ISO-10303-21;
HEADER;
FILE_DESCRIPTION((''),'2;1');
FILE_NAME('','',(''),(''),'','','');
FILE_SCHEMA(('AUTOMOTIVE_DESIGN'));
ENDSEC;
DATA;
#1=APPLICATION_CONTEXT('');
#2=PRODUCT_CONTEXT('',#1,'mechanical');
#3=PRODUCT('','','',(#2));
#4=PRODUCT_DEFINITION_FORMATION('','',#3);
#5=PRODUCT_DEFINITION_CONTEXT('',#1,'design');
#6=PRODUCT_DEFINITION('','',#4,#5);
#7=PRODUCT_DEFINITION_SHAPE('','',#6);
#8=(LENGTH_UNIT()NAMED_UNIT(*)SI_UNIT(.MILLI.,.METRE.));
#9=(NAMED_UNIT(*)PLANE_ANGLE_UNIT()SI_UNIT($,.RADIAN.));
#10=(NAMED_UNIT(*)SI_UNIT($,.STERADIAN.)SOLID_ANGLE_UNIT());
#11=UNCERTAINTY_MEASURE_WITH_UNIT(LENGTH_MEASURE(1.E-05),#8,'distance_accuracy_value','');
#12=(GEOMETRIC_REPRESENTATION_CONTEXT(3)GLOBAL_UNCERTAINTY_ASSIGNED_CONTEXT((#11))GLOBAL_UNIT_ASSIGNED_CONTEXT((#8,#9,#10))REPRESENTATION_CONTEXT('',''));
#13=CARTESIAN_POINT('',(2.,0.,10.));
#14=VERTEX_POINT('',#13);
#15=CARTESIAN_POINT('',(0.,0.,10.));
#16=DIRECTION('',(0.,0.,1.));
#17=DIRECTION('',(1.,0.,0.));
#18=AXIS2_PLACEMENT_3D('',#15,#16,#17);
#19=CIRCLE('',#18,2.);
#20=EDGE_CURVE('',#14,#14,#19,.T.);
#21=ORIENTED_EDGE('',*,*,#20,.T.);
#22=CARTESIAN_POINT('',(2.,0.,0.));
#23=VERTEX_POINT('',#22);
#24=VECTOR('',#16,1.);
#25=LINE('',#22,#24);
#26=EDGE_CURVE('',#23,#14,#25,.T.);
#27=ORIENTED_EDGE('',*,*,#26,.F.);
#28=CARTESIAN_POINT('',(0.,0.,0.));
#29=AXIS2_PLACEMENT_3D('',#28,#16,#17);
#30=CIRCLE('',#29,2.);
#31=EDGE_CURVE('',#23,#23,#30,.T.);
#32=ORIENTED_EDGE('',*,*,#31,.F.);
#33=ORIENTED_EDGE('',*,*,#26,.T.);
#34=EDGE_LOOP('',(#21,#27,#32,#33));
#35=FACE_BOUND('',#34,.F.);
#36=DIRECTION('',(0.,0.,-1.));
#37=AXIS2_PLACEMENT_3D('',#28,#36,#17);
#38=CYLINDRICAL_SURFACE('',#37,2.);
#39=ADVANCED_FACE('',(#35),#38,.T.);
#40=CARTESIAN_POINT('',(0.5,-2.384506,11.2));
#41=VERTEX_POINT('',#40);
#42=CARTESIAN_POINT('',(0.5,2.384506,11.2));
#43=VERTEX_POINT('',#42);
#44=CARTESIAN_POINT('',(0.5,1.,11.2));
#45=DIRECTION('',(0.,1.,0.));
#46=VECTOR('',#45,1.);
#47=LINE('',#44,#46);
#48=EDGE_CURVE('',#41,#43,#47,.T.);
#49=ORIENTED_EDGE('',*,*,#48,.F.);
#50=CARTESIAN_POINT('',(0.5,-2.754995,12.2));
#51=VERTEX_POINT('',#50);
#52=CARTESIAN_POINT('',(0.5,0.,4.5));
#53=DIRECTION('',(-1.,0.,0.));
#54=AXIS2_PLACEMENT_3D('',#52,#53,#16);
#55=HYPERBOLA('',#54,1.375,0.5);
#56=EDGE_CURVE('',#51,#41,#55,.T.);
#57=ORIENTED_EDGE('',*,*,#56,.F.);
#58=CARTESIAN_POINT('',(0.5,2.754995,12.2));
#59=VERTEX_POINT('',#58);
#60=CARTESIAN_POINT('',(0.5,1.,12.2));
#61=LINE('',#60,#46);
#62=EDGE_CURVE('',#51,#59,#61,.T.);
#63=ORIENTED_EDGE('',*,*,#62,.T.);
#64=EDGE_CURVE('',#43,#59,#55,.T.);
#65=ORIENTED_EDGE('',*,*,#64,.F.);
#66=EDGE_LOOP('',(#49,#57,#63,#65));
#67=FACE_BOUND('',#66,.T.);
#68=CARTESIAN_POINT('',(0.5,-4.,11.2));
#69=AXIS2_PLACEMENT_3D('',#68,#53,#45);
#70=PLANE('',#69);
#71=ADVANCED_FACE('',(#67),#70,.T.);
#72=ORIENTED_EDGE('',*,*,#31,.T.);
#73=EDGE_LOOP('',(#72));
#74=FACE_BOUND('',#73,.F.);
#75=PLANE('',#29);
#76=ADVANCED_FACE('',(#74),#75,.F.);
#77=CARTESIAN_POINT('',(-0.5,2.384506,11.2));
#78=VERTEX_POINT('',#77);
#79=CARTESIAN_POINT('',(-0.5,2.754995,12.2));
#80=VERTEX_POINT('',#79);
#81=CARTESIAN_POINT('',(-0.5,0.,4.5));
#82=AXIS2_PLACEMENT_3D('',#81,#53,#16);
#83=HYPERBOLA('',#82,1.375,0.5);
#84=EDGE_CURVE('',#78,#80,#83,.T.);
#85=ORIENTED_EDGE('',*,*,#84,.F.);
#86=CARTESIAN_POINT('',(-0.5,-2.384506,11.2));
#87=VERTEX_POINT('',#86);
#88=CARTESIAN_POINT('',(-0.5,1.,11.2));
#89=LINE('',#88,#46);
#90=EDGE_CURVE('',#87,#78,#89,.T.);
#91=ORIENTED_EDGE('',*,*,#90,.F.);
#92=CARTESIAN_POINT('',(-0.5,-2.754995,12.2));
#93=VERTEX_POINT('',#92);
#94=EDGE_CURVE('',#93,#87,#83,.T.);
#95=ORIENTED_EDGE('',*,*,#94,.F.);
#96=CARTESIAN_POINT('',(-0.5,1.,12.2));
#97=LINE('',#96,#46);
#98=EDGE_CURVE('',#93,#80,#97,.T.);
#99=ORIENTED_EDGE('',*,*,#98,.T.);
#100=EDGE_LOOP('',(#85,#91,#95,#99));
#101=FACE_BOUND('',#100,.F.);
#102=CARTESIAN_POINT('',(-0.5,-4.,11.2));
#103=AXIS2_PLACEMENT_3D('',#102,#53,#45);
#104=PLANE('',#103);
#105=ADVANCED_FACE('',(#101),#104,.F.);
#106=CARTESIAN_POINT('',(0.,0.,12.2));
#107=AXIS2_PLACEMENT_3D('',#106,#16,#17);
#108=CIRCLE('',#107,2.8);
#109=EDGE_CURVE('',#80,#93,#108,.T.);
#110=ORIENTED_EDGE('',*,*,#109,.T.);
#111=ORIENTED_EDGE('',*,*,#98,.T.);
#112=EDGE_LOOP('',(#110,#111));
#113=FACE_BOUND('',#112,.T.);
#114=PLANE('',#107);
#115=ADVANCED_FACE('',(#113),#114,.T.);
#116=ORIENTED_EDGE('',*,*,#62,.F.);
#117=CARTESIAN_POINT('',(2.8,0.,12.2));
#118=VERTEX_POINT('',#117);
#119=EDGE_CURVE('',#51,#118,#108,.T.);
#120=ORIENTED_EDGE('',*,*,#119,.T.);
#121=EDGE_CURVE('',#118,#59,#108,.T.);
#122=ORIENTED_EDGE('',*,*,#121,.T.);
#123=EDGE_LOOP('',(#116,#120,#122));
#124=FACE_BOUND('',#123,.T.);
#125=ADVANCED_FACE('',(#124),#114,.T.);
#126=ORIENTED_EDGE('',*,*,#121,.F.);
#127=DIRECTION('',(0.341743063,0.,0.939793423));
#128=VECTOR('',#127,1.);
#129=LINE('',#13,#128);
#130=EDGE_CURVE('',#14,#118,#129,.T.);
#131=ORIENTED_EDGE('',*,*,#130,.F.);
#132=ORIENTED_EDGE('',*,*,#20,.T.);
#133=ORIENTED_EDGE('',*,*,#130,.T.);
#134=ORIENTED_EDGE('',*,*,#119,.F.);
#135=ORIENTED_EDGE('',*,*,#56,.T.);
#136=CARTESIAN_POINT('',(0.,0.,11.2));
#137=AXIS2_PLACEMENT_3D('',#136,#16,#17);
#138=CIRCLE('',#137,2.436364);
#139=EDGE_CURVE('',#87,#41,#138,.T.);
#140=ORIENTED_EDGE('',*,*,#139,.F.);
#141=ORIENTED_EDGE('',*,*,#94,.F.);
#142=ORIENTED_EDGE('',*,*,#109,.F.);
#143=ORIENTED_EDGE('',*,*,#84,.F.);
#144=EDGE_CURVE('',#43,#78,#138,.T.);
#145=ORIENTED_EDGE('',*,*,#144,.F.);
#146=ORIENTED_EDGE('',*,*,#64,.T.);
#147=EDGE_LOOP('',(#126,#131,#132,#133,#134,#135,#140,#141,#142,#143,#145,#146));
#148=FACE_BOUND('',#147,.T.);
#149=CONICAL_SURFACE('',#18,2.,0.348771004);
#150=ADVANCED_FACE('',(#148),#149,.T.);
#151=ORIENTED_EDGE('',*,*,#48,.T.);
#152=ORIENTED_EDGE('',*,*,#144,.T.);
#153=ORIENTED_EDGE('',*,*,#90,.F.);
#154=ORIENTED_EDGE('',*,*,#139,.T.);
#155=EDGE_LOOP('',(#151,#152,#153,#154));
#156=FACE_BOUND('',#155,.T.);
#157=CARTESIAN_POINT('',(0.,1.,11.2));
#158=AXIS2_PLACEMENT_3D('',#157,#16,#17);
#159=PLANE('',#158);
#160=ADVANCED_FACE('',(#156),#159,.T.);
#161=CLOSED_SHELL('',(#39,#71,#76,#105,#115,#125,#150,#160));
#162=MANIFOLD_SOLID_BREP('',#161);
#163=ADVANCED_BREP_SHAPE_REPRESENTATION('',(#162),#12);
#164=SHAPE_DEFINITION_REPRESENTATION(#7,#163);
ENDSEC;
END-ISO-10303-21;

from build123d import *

# Parameters (mm, degrees)
BOX_W          = 1
BOX_H          = 10
BOX_DEPTH      = 1
CYLINDER_R     = 2
CYLINDER_DEPTH = 10


with BuildPart() as cube:
    # Box → Box (new body)
    with BuildSketch(Plane(origin=(-0.5, -4, 11.2), x_dir=(1, 0, 0), z_dir=(0, 0, 1))):
        with Locations((0.5, 5)):
            Rectangle(BOX_W, BOX_H)
    extrude(amount=BOX_DEPTH)


with BuildPart() as cut:
    # Cone → Cone (revolve)
    with BuildSketch(Plane(origin=(0, 0, 10), x_dir=(1, 0, 0), z_dir=(0, -1, 0))):
        Polygon((0, 0), (2, 0), (2.8, 2.2), (0, 2.2), align=None)
    revolve(axis=Axis((0, 0, 10), (0, 0, 1)))

    # Cut: cut Cube
    add(cube.part, mode=Mode.SUBTRACT)


with BuildPart() as cargol:
    # Cylinder → Cylinder (new body)
    with BuildSketch(Plane.XY):
        Circle(CYLINDER_R)
    extrude(amount=CYLINDER_DEPTH)

    # Fusion: union Cut
    add(cut.part)


solid = cargol.part
